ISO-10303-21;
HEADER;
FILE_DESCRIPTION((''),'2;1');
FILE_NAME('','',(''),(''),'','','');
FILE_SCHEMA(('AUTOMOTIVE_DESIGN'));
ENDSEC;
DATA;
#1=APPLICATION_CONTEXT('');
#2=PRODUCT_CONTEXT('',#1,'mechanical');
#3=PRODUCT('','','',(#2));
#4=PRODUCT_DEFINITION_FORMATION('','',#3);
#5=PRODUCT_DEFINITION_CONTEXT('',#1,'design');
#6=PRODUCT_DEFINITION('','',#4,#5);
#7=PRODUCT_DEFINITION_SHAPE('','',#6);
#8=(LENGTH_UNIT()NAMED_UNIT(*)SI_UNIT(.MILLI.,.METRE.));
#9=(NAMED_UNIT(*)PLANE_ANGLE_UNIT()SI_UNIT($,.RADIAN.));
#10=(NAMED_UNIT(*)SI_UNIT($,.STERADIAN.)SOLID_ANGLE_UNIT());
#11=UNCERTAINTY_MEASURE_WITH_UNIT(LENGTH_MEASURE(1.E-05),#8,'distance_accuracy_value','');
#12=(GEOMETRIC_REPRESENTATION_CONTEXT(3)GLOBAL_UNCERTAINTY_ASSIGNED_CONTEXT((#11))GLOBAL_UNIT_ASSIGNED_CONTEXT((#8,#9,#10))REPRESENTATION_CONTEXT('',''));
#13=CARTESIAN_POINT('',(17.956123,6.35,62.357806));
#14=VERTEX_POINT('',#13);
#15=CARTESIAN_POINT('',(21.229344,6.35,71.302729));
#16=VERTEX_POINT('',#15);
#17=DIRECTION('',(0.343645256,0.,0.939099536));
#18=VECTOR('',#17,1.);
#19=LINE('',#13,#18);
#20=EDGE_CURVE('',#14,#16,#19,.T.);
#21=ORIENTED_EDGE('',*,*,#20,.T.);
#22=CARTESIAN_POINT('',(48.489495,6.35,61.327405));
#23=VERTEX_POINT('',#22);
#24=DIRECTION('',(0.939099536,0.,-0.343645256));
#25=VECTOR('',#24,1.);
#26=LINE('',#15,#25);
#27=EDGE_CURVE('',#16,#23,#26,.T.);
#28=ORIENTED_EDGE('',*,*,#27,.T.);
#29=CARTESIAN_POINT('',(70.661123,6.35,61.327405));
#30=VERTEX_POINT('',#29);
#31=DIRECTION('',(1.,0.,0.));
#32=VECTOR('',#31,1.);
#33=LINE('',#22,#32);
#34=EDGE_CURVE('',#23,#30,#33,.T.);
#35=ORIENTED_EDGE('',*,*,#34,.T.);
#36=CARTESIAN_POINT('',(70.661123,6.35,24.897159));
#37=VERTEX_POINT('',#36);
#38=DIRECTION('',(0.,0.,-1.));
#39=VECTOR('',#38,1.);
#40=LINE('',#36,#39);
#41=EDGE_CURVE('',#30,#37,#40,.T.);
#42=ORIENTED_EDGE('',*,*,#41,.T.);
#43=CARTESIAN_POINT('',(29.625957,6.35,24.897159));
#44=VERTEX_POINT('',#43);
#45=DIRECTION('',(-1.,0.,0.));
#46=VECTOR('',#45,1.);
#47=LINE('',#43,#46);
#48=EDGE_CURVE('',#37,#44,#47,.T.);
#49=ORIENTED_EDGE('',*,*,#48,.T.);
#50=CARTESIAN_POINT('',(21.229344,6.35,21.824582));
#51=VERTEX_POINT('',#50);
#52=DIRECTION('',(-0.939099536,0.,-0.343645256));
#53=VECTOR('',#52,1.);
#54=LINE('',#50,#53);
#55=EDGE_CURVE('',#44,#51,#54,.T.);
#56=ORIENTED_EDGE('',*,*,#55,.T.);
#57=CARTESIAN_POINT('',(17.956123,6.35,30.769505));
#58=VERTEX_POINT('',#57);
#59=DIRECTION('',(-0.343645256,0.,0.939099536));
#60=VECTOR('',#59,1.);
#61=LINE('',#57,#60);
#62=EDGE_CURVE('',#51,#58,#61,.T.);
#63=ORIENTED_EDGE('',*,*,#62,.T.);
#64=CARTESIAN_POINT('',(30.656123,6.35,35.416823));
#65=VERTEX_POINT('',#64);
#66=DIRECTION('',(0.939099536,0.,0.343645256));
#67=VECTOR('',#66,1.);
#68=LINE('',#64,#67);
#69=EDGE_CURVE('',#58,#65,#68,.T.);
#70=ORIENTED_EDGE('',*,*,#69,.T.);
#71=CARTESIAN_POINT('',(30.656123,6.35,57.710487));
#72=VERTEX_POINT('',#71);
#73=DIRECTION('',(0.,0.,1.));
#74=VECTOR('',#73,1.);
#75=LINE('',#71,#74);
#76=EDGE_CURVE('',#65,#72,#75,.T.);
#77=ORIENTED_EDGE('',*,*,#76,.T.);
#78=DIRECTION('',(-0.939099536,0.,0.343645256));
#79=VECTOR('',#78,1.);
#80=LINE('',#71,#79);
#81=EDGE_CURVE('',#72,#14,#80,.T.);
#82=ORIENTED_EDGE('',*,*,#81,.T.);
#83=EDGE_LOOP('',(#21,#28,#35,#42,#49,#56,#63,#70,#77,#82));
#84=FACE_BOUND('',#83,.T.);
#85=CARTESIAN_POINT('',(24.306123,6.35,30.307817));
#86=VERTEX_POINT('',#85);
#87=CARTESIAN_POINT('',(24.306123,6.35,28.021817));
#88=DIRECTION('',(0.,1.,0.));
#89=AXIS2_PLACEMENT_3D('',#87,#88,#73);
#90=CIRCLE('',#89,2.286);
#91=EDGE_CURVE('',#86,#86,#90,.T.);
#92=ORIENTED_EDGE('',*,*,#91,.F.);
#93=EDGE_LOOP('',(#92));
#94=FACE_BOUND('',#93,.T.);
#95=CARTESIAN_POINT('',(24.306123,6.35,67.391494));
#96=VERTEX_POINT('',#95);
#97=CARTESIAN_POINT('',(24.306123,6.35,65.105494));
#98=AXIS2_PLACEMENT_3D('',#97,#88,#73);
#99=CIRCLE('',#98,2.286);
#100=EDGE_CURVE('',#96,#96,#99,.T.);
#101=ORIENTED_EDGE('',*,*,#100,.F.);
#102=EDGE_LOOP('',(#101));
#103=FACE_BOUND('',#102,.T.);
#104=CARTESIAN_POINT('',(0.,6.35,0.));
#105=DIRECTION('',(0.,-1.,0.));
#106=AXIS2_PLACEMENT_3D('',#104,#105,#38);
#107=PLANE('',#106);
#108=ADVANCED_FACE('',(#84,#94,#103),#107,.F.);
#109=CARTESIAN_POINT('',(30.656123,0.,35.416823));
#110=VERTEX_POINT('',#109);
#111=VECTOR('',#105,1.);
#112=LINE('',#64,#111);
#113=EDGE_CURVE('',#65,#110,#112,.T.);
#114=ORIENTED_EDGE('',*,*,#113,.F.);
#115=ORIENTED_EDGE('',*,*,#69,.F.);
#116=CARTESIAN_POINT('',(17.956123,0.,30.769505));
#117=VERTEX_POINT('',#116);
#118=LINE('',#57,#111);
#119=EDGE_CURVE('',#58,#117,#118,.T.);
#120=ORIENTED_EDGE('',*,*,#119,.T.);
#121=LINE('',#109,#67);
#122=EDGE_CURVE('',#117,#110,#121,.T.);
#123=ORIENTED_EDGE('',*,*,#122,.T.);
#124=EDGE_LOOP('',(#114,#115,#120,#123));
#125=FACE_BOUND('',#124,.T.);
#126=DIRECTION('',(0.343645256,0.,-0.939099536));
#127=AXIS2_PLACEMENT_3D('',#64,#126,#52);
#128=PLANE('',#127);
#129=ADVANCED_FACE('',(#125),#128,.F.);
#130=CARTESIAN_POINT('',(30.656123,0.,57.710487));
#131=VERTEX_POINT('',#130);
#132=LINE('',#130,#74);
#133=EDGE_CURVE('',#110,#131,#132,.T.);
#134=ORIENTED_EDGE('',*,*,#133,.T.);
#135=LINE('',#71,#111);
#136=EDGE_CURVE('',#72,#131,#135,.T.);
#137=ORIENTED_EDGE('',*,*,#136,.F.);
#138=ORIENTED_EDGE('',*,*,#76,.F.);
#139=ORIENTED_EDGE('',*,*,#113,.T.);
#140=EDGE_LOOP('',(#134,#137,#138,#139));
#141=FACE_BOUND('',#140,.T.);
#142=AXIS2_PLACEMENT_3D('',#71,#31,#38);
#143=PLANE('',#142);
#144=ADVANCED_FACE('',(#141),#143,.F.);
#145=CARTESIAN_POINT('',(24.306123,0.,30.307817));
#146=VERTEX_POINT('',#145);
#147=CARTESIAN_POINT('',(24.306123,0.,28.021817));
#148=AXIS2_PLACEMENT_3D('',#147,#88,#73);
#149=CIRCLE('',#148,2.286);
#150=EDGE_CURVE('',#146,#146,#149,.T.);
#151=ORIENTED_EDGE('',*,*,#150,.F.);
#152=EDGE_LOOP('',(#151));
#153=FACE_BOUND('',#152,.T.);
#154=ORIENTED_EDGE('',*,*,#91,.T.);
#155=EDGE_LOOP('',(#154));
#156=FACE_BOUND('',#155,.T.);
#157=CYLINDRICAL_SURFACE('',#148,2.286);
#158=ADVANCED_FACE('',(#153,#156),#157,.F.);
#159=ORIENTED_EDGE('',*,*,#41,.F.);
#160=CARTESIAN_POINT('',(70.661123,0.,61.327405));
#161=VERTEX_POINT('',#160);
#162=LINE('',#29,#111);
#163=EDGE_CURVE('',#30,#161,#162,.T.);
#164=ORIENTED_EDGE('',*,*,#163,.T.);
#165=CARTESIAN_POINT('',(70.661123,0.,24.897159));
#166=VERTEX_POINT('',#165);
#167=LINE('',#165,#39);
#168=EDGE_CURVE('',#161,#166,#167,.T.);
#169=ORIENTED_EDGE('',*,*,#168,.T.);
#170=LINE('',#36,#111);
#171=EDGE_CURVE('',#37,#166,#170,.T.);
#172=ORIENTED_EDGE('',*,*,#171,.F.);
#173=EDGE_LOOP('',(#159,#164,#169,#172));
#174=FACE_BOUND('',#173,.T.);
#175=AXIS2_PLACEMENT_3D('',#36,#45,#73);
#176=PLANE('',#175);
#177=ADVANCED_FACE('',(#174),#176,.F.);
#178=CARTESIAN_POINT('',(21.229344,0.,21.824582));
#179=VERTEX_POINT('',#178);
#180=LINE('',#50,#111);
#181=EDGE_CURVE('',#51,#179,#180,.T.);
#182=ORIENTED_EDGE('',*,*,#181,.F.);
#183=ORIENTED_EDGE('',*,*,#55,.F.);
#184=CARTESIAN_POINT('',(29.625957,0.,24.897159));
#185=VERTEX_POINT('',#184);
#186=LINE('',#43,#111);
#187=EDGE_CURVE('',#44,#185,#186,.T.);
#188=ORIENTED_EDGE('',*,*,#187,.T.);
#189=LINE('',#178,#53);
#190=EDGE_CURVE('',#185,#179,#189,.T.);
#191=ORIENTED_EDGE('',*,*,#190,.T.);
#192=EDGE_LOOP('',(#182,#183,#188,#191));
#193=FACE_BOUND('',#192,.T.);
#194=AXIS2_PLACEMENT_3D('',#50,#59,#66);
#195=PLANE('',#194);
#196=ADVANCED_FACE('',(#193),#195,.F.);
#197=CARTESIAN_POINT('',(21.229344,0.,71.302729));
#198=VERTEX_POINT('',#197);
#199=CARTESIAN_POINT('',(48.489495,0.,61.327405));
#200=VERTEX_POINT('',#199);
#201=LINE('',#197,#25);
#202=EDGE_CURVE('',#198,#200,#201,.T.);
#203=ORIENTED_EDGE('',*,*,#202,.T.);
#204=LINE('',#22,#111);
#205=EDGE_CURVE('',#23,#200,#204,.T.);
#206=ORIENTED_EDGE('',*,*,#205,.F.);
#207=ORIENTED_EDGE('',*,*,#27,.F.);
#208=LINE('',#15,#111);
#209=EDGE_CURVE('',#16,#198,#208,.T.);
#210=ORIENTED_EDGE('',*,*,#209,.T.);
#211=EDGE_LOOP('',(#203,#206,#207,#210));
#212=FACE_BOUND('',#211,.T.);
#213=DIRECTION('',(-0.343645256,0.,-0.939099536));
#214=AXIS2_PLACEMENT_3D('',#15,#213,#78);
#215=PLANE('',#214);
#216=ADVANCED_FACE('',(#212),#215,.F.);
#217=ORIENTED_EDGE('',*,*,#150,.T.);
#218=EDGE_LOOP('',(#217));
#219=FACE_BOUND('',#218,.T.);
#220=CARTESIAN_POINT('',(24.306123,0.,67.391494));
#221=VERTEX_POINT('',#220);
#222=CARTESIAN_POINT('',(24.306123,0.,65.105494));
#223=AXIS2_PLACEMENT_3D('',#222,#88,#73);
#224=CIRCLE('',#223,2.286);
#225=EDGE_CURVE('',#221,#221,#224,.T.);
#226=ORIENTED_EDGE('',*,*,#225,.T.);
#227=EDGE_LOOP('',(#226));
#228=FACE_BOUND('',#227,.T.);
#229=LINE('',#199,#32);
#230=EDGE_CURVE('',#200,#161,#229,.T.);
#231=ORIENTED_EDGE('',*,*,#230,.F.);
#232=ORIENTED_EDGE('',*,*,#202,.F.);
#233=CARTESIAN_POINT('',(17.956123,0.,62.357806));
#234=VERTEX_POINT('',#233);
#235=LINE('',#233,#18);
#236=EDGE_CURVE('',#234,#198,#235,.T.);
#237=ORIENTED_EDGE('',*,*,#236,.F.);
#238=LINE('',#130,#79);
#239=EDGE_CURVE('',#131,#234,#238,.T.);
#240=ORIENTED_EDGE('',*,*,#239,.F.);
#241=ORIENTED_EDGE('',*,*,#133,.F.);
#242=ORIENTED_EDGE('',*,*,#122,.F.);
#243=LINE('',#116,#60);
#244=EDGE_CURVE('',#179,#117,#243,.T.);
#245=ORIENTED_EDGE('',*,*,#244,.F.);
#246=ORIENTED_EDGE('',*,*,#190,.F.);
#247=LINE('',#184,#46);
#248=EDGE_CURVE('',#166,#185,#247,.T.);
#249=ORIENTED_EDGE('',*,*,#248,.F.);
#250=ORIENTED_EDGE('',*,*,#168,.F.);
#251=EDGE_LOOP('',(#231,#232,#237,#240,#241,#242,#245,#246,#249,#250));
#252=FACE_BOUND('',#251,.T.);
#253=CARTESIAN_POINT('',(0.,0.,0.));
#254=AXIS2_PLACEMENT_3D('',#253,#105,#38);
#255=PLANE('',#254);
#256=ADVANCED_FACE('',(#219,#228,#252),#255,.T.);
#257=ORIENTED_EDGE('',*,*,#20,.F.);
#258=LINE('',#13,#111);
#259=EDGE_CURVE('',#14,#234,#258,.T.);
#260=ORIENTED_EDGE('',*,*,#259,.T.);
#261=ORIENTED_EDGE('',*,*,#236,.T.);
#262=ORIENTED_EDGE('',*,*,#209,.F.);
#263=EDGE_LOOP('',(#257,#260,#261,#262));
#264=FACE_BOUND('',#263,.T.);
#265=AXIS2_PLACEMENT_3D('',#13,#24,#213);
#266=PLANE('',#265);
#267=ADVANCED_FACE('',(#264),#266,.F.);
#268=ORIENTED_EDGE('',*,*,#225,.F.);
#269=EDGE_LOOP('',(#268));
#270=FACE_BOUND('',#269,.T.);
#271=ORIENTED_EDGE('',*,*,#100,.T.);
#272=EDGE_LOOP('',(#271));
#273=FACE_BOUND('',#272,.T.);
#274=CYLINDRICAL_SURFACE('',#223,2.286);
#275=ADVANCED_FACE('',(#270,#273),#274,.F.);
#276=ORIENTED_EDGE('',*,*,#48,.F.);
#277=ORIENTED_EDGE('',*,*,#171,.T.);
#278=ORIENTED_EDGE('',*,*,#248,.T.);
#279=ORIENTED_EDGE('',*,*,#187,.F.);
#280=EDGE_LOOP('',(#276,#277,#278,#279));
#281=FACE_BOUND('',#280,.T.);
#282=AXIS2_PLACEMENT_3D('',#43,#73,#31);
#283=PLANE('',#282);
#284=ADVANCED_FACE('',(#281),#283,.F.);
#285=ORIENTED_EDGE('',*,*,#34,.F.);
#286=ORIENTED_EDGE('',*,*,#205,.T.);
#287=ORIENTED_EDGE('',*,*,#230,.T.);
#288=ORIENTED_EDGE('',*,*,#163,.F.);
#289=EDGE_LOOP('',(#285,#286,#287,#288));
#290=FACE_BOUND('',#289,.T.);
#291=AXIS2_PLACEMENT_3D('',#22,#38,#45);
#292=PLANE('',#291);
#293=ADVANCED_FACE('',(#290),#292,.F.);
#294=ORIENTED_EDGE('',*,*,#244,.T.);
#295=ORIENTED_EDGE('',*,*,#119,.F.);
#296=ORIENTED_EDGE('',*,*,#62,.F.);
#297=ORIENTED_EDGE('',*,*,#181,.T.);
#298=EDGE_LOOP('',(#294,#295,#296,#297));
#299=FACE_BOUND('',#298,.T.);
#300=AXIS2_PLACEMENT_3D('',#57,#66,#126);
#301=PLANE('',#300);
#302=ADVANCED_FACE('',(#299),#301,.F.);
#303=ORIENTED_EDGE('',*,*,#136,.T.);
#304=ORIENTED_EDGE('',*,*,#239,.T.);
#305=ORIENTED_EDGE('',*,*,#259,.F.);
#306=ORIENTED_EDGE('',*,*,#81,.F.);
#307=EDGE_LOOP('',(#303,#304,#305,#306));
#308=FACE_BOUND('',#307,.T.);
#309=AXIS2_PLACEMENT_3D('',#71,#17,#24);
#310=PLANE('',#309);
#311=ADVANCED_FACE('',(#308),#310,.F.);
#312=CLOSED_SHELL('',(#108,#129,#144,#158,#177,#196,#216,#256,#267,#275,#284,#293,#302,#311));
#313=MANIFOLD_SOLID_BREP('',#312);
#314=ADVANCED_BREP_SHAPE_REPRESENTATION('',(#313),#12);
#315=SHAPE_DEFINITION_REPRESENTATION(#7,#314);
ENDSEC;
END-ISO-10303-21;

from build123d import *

# Parameters (mm, degrees)
BOSS_EXTRUDE1_DEPTH = 6.35
SKETCH2_R           = 2.286
CUT_EXTRUDE1_DEPTH  = 101.585266767


with BuildPart() as part:
    # Sketch1 → Boss-Extrude1 (new body)
    with BuildSketch(Plane(origin=(0, 0, 0), x_dir=(1, 0, 0), z_dir=(0, 1, 0))):
        Polygon((21.229343583, -21.824581583), (29.62595728, -24.897159466), (70.66112252, -24.897159466), (70.66112252, -61.327405263), (48.489495365, -61.327405263), (21.229343583, -71.302728943), (17.95612252, -62.357805865), (30.65612252, -57.710487253), (30.65612252, -35.416823273), (17.95612252, -30.769504661), align=None)
    extrude(amount=BOSS_EXTRUDE1_DEPTH)

    # Sketch2 → Cut-Extrude1 (cut, through all)
    with BuildSketch(Plane(origin=(0, 6.35, 0), x_dir=(1, 0, 0), z_dir=(0, 1, 0))):
        with Locations(Location((24.30612252, -65.105493971, 0), (0, 0, 270))):
            Circle(SKETCH2_R)
        with Locations(Location((24.30612252, -28.021816555, 0), (0, 0, 270))):
            Circle(SKETCH2_R)
    extrude(amount=-CUT_EXTRUDE1_DEPTH, mode=Mode.SUBTRACT)


solid = part.part
